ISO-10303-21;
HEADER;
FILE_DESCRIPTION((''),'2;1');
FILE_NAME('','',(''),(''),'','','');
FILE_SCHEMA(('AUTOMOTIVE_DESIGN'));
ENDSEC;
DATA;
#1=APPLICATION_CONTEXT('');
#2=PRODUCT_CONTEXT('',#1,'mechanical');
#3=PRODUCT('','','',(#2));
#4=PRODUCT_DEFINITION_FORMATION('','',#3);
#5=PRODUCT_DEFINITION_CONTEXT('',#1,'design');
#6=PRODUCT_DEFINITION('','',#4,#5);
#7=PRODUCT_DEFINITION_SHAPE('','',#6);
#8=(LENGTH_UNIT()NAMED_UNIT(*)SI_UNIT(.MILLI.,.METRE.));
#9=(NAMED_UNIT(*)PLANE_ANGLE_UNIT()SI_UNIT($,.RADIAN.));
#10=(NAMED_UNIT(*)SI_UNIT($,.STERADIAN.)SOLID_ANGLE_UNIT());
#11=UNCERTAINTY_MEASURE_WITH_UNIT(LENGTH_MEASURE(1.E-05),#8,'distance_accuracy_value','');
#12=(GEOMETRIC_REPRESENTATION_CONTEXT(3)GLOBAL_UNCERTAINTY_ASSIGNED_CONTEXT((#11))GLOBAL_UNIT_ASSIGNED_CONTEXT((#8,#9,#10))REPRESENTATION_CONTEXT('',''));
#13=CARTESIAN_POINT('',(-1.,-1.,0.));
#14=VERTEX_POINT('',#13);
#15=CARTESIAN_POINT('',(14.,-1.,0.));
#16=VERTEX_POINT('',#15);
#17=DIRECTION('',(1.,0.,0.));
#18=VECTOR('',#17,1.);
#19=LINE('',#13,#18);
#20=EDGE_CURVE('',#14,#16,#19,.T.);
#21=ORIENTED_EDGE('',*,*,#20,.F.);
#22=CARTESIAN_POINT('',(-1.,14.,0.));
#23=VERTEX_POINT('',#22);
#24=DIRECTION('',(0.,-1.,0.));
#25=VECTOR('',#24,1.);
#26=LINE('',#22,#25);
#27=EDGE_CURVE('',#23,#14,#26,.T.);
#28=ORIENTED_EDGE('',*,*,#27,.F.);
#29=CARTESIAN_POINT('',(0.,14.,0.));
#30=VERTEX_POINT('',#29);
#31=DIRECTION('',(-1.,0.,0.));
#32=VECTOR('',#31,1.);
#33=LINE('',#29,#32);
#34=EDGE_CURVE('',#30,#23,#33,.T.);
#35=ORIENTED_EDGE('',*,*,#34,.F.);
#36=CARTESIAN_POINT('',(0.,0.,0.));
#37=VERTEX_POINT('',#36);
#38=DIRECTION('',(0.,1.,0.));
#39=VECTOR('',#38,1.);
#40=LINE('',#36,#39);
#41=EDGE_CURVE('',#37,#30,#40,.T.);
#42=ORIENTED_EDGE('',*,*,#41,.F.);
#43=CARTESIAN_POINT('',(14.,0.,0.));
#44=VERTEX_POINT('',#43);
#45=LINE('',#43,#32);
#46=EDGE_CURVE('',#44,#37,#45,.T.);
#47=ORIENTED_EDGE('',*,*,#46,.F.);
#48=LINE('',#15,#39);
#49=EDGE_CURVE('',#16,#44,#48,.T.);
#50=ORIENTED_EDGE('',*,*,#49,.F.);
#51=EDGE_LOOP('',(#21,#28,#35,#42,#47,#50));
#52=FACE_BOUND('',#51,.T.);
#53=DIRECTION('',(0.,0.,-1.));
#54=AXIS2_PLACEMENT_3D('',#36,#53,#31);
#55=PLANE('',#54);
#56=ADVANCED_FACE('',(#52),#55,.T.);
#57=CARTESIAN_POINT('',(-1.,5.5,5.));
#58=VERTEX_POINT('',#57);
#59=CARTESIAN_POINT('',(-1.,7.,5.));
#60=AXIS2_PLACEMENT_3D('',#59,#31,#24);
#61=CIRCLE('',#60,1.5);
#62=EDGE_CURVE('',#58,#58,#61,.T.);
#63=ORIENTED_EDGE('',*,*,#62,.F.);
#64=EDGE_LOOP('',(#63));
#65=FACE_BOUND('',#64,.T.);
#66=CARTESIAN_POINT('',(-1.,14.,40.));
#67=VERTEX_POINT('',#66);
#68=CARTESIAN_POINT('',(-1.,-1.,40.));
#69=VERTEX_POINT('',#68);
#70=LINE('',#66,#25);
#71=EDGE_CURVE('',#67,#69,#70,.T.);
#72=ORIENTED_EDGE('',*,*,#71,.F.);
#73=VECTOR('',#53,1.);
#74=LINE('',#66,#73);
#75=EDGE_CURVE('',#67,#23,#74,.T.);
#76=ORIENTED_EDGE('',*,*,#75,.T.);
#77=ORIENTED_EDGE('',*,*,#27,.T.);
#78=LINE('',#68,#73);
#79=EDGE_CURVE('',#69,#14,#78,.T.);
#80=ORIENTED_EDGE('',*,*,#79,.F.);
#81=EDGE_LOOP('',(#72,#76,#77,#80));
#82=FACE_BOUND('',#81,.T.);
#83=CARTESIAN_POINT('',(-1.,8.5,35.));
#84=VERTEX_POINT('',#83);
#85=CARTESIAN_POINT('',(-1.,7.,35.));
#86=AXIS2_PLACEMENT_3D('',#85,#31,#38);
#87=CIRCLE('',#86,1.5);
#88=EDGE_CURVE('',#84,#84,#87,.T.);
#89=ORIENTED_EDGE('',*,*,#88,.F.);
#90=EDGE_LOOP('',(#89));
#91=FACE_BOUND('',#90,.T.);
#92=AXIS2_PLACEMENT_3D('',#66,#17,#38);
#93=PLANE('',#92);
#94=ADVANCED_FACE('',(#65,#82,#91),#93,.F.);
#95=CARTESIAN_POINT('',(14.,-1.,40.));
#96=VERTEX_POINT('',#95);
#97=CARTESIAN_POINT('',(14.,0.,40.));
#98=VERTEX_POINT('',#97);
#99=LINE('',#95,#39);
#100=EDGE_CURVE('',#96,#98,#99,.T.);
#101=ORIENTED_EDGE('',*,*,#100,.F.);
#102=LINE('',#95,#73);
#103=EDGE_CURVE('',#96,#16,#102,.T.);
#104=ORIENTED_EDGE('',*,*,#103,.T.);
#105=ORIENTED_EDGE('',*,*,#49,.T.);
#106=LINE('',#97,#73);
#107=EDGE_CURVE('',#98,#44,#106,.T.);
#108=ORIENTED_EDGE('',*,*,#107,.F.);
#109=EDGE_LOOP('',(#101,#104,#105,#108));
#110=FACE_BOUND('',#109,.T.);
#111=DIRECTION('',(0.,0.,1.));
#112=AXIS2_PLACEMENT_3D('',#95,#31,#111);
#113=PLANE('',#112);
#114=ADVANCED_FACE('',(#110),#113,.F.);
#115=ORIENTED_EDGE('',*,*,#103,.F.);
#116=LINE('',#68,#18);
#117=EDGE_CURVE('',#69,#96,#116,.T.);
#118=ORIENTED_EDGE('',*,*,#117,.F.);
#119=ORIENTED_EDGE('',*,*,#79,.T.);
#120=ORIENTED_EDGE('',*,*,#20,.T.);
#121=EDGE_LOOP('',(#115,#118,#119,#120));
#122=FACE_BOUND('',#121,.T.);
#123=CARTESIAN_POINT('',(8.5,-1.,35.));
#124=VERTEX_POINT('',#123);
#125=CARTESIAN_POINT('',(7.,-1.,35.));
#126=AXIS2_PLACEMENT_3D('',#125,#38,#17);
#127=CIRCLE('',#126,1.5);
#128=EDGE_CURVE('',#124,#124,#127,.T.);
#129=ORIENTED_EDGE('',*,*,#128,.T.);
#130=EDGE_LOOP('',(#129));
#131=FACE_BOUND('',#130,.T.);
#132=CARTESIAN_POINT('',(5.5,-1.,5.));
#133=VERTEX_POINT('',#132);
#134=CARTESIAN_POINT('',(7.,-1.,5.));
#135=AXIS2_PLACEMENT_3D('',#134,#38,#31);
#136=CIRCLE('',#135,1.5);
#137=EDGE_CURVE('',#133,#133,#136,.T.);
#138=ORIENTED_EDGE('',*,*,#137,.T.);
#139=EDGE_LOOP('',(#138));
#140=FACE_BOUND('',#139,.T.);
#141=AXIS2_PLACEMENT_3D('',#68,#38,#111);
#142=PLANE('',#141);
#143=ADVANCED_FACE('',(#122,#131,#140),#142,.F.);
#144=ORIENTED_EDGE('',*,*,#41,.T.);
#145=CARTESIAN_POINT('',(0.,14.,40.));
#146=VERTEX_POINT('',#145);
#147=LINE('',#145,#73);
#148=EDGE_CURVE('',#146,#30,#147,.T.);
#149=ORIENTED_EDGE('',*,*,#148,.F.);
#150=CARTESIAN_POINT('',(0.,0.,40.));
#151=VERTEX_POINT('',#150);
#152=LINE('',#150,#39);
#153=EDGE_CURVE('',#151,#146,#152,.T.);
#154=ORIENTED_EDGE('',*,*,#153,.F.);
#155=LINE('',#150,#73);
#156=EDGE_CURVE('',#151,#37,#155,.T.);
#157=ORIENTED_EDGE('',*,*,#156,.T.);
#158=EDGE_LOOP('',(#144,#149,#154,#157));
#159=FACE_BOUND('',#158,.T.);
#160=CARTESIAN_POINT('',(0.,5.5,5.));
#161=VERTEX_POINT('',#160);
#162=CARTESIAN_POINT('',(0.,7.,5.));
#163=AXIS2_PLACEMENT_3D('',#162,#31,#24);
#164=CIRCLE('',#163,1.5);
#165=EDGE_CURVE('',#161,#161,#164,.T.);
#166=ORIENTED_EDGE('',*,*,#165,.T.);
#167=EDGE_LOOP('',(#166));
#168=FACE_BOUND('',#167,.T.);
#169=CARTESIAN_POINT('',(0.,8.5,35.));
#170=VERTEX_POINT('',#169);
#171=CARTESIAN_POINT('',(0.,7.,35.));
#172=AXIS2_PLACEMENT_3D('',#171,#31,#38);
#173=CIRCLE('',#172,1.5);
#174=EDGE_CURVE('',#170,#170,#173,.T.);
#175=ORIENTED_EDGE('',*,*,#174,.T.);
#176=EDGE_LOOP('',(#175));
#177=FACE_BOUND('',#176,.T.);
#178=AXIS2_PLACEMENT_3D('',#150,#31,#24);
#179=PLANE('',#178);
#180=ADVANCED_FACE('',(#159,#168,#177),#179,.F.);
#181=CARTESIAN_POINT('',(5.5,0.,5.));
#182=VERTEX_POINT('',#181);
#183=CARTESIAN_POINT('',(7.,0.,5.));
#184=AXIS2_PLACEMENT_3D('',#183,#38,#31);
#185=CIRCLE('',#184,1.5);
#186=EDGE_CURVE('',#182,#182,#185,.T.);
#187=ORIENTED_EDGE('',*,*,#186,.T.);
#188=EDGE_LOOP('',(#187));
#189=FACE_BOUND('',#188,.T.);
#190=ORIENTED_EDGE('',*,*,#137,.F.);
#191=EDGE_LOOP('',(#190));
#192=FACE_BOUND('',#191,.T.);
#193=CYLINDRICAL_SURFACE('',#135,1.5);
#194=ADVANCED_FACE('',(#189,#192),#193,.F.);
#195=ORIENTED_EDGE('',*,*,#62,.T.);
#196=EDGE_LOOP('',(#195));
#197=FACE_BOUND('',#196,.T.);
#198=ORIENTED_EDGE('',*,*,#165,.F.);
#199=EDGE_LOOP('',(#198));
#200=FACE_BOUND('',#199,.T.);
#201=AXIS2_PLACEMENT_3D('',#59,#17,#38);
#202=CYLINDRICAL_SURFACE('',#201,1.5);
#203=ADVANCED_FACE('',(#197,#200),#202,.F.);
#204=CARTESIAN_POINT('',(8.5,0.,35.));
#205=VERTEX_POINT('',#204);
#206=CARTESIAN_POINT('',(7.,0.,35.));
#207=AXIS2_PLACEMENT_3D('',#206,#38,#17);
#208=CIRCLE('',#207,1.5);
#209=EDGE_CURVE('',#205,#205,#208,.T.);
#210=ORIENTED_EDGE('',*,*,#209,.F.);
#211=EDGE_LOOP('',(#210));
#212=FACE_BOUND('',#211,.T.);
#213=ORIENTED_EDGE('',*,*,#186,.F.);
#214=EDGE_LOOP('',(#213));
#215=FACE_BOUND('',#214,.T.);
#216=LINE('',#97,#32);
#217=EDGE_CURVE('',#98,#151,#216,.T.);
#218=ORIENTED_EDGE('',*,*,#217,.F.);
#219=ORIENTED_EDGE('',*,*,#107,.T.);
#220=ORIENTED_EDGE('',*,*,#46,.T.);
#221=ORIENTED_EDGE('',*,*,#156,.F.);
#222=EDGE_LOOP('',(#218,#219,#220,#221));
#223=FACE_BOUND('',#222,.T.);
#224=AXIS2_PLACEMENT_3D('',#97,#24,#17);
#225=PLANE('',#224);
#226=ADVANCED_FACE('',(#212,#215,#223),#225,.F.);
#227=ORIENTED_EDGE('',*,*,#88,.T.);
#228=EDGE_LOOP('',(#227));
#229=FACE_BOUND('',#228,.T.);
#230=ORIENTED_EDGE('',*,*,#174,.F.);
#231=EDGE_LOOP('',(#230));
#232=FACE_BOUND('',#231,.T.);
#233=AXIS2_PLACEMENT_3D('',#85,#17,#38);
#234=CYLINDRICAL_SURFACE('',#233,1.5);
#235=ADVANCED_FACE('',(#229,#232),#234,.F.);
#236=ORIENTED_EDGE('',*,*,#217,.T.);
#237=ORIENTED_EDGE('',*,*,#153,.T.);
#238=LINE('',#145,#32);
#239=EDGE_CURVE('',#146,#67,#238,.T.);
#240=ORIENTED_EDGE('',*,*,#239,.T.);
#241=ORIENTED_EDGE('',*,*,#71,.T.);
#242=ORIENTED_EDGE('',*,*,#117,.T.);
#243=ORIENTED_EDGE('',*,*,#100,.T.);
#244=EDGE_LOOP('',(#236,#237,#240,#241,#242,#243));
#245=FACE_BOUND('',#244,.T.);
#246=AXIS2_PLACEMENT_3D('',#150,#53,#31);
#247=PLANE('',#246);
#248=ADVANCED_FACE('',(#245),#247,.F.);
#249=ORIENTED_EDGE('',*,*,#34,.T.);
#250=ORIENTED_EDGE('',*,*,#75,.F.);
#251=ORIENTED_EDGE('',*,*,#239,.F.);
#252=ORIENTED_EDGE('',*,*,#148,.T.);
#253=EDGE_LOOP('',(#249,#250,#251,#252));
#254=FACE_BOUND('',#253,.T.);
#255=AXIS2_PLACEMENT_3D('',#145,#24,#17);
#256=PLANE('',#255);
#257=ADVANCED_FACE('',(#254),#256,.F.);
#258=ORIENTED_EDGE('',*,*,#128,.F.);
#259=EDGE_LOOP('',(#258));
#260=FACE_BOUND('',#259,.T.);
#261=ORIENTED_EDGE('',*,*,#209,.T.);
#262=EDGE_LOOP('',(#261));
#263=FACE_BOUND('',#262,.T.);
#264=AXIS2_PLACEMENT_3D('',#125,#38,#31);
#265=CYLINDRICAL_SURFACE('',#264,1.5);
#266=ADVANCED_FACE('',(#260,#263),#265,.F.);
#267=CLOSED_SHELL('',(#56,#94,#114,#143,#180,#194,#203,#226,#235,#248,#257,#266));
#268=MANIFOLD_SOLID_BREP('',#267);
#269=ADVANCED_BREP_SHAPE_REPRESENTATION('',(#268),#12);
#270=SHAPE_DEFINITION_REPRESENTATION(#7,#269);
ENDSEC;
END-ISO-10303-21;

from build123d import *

# Parameters (mm, degrees)
EXTRUDE_1_DEPTH     = 40
SKETCH_2_R          = 1.5
CUT_EXTRUDE_1_DEPTH = 45.631827209


with BuildPart() as part:
    # 草图1 → 凸台-拉伸1 (new body)
    with BuildSketch(Plane.XY):
        Polygon((0, 0), (0, 14), (-1, 14), (-1, -1), (14, -1), (14, 0), align=None)
    extrude(amount=EXTRUDE_1_DEPTH)

    # 草图2 → 切除-拉伸1 (cut, through all)
    with BuildSketch(Plane(origin=(0, 0, 0), x_dir=(1, 0, 0), z_dir=(0, 1, 0))):
        with Locations(Location((7, -5, 0), (0, 0, 180))):
            Circle(SKETCH_2_R)
        with Locations((7, -35)):
            Circle(SKETCH_2_R)
    cut_extrude_1 = extrude(amount=-CUT_EXTRUDE_1_DEPTH, mode=Mode.SUBTRACT)

    # 镜向1: 切除-拉伸1 across plane
    add(cut_extrude_1.mirror(Plane(origin=(0, 0, 0), x_dir=(0, 0, 1), z_dir=(-0.7071067811865476, 0.7071067811865475, 0))), mode=Mode.SUBTRACT)


solid = part.part
